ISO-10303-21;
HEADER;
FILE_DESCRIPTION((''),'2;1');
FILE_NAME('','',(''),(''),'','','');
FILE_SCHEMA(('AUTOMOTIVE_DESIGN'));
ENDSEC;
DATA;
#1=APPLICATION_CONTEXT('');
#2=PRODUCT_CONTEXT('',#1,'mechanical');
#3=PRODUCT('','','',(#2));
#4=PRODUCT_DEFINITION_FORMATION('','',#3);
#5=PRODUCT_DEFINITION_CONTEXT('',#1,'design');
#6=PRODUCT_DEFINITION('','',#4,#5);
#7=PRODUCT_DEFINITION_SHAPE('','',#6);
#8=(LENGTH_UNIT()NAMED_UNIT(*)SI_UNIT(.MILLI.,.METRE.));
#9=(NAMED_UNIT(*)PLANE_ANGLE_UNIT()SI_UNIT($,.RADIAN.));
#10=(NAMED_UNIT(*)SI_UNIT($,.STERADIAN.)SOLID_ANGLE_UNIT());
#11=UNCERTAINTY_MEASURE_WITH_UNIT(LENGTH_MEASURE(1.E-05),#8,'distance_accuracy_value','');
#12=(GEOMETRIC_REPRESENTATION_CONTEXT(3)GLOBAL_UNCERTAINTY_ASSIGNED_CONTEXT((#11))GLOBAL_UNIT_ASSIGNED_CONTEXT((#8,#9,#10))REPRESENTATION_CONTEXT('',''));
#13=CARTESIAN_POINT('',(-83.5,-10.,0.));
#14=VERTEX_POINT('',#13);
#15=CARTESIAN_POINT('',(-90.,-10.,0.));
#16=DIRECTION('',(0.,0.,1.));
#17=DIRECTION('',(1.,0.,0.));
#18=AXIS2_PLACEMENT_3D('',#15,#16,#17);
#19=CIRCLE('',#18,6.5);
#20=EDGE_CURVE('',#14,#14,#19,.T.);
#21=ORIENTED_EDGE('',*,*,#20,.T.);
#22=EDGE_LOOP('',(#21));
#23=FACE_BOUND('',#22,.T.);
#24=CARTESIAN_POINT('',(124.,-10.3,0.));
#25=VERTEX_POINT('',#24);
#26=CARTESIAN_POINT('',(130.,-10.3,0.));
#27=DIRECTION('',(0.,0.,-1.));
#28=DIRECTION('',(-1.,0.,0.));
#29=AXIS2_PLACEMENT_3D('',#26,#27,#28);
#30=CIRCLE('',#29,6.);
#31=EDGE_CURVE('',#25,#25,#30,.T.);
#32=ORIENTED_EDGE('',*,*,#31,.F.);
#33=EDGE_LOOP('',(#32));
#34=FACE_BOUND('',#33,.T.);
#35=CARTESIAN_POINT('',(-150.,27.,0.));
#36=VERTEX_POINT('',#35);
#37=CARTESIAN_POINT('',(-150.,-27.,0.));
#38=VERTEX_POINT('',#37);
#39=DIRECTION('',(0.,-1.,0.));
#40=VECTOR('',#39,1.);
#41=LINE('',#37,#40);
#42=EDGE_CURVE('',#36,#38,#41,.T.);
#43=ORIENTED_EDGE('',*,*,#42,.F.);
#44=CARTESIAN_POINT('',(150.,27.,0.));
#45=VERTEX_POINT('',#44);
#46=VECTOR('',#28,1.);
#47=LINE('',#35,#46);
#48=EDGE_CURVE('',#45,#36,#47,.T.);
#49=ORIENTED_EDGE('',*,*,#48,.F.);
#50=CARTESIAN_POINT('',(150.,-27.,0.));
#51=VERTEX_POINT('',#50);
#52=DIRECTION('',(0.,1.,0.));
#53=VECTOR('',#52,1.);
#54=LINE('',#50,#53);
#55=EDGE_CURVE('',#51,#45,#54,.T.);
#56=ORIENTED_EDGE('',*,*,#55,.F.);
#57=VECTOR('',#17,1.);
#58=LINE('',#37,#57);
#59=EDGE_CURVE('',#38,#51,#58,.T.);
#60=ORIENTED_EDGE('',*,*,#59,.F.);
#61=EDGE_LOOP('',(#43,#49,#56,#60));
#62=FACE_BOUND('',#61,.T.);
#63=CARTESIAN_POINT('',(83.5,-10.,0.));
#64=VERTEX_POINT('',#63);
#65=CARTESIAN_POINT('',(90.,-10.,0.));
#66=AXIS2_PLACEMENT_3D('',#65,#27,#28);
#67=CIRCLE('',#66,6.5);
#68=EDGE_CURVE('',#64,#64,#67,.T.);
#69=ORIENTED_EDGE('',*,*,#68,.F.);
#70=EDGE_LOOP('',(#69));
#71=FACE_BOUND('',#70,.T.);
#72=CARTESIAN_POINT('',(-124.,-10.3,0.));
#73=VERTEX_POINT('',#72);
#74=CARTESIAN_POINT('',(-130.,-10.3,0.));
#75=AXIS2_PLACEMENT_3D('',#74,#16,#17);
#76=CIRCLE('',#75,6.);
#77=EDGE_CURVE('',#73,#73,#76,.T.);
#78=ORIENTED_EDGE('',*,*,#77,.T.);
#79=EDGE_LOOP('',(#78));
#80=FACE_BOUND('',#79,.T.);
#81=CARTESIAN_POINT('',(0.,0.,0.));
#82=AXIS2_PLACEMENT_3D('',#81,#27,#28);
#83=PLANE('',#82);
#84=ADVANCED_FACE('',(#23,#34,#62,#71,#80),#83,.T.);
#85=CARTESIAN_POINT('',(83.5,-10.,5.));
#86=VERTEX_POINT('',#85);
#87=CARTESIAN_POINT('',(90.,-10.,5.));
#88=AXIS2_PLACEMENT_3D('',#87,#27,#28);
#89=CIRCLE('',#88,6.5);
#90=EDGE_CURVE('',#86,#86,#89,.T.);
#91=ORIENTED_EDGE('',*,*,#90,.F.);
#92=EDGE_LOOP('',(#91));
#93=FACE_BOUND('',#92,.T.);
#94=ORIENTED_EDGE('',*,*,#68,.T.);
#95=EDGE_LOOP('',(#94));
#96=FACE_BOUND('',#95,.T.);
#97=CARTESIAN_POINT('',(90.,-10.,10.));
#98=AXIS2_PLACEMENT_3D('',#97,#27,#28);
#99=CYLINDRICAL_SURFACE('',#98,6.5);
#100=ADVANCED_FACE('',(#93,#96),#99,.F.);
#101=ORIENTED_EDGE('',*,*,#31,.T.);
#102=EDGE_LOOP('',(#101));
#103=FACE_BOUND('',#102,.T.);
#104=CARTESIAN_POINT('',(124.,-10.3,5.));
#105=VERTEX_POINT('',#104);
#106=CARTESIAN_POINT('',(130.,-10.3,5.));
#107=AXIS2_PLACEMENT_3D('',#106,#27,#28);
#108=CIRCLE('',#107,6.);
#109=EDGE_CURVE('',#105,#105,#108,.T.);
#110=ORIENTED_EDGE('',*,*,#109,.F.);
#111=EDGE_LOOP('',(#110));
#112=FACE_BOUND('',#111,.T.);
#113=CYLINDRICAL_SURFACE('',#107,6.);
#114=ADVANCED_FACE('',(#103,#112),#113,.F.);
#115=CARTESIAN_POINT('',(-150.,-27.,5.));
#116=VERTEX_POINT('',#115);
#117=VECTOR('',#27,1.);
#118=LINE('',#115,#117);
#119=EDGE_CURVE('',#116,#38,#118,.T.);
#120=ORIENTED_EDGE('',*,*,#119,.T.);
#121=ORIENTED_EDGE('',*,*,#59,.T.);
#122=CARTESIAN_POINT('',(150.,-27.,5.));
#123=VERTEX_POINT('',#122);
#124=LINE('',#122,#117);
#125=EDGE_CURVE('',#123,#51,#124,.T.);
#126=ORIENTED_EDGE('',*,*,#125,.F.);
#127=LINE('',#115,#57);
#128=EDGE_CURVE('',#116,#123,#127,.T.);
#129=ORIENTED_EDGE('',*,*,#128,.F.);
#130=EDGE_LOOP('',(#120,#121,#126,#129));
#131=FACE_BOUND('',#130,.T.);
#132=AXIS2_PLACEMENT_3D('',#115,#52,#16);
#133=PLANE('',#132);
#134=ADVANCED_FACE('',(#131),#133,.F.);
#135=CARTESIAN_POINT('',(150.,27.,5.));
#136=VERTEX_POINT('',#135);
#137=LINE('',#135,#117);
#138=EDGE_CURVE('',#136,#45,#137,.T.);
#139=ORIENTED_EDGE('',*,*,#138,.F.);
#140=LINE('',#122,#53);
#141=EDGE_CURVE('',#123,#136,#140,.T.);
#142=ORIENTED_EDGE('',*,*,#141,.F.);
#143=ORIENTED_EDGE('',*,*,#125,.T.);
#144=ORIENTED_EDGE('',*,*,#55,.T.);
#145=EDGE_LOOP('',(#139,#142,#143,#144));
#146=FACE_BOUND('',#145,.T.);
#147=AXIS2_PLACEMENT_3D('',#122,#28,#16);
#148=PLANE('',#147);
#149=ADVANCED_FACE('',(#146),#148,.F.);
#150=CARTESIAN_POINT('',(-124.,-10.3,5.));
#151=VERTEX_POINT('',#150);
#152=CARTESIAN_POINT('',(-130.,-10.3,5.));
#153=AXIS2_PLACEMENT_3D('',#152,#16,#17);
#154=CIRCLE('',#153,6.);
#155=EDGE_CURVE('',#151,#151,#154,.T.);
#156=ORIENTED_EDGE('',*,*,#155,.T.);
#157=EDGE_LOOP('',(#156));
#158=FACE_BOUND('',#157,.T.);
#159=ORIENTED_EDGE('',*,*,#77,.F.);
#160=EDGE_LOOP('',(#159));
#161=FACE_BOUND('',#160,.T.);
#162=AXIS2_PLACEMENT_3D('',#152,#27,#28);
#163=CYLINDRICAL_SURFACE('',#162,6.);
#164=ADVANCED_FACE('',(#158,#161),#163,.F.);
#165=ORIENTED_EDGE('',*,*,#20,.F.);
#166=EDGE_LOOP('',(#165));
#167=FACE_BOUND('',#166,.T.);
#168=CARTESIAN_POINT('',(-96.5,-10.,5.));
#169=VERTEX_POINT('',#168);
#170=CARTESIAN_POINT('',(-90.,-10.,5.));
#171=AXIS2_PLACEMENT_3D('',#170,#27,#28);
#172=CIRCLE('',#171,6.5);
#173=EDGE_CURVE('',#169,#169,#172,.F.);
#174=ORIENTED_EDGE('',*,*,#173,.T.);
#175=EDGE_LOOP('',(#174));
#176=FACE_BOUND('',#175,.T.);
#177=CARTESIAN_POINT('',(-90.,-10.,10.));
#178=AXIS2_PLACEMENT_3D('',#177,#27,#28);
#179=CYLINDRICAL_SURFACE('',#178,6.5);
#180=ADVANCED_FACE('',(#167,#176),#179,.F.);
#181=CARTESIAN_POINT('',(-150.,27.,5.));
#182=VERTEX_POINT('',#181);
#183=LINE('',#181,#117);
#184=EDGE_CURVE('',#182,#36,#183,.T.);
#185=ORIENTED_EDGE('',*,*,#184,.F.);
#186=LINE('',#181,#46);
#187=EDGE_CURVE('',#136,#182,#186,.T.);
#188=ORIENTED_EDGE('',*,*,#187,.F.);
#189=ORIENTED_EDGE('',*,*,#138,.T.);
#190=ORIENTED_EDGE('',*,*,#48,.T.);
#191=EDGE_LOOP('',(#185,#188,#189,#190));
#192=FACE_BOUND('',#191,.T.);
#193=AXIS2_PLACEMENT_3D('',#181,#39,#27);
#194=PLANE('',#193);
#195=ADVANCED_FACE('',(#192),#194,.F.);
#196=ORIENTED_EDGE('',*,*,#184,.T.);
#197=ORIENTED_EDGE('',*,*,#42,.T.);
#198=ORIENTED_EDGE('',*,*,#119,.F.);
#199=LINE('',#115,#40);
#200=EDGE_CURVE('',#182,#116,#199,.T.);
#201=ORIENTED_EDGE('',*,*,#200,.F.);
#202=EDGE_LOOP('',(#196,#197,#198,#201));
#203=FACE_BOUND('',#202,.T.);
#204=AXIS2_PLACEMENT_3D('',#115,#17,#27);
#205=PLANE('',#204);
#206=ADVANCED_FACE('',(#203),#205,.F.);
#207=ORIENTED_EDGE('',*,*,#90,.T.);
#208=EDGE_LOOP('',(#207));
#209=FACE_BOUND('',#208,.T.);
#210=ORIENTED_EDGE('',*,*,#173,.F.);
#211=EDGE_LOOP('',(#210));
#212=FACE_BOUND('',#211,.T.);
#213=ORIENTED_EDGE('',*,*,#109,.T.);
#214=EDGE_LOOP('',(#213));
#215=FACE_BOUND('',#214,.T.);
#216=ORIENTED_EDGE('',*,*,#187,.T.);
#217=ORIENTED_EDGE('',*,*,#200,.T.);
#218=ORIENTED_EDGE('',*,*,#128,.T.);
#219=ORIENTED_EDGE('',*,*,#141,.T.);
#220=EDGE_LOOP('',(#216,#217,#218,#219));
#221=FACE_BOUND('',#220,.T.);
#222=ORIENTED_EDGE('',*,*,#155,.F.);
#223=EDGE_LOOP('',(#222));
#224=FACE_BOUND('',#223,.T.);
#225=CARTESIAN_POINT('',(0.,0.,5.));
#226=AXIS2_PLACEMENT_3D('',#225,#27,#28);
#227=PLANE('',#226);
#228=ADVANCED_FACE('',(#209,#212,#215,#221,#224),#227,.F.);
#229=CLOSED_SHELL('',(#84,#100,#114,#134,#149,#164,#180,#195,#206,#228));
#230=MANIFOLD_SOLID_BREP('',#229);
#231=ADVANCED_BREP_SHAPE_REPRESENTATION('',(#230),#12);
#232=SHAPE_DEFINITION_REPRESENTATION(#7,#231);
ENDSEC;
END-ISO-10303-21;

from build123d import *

# Parameters (mm, degrees)
SKETCH_1_W          = 300
SKETCH_1_H          = 54
EXTRUDE_1_DEPTH     = 5
SKETCH_2_R          = 6
CUT_EXTRUDE_1_DEPTH = 6
SKETCH_3_R          = 6.5
CUT_EXTRUDE_2_DEPTH = 10


with BuildPart() as part:
    # 草图1 → 凸台-拉伸1 (new body)
    with BuildSketch(Plane.XY):
        Rectangle(SKETCH_1_W, SKETCH_1_H)
    extrude(amount=EXTRUDE_1_DEPTH)

    # 草图2 → 切除-拉伸1 (cut, through all)
    with BuildSketch(Plane(origin=(0, 0, 0), x_dir=(-1, 0, 0), z_dir=(0, 0, -1))):
        with Locations((-130, -10.3)):
            Circle(SKETCH_2_R)
    cut_extrude_1 = extrude(amount=-CUT_EXTRUDE_1_DEPTH, mode=Mode.SUBTRACT)

    # 镜向1: 切除-拉伸1 across plane
    add(cut_extrude_1.mirror(Plane(origin=(0, 0, 0), x_dir=(0, 0, 1), z_dir=(1, 0, 0))), mode=Mode.SUBTRACT)

    # 草图3 → 切除-拉伸2 (cut)
    with BuildSketch(Plane(origin=(0, 0, 0), x_dir=(-1, 0, 0), z_dir=(0, 0, -1))):
        with Locations((-90, -10)):
            Circle(SKETCH_3_R)
    cut_extrude_2 = extrude(amount=-CUT_EXTRUDE_2_DEPTH, mode=Mode.SUBTRACT)

    # 镜向2: 切除-拉伸2 across plane
    add(cut_extrude_2.mirror(Plane(origin=(0, 0, 0), x_dir=(0, 0, 1), z_dir=(1, 0, 0))), mode=Mode.SUBTRACT)


solid = part.part
